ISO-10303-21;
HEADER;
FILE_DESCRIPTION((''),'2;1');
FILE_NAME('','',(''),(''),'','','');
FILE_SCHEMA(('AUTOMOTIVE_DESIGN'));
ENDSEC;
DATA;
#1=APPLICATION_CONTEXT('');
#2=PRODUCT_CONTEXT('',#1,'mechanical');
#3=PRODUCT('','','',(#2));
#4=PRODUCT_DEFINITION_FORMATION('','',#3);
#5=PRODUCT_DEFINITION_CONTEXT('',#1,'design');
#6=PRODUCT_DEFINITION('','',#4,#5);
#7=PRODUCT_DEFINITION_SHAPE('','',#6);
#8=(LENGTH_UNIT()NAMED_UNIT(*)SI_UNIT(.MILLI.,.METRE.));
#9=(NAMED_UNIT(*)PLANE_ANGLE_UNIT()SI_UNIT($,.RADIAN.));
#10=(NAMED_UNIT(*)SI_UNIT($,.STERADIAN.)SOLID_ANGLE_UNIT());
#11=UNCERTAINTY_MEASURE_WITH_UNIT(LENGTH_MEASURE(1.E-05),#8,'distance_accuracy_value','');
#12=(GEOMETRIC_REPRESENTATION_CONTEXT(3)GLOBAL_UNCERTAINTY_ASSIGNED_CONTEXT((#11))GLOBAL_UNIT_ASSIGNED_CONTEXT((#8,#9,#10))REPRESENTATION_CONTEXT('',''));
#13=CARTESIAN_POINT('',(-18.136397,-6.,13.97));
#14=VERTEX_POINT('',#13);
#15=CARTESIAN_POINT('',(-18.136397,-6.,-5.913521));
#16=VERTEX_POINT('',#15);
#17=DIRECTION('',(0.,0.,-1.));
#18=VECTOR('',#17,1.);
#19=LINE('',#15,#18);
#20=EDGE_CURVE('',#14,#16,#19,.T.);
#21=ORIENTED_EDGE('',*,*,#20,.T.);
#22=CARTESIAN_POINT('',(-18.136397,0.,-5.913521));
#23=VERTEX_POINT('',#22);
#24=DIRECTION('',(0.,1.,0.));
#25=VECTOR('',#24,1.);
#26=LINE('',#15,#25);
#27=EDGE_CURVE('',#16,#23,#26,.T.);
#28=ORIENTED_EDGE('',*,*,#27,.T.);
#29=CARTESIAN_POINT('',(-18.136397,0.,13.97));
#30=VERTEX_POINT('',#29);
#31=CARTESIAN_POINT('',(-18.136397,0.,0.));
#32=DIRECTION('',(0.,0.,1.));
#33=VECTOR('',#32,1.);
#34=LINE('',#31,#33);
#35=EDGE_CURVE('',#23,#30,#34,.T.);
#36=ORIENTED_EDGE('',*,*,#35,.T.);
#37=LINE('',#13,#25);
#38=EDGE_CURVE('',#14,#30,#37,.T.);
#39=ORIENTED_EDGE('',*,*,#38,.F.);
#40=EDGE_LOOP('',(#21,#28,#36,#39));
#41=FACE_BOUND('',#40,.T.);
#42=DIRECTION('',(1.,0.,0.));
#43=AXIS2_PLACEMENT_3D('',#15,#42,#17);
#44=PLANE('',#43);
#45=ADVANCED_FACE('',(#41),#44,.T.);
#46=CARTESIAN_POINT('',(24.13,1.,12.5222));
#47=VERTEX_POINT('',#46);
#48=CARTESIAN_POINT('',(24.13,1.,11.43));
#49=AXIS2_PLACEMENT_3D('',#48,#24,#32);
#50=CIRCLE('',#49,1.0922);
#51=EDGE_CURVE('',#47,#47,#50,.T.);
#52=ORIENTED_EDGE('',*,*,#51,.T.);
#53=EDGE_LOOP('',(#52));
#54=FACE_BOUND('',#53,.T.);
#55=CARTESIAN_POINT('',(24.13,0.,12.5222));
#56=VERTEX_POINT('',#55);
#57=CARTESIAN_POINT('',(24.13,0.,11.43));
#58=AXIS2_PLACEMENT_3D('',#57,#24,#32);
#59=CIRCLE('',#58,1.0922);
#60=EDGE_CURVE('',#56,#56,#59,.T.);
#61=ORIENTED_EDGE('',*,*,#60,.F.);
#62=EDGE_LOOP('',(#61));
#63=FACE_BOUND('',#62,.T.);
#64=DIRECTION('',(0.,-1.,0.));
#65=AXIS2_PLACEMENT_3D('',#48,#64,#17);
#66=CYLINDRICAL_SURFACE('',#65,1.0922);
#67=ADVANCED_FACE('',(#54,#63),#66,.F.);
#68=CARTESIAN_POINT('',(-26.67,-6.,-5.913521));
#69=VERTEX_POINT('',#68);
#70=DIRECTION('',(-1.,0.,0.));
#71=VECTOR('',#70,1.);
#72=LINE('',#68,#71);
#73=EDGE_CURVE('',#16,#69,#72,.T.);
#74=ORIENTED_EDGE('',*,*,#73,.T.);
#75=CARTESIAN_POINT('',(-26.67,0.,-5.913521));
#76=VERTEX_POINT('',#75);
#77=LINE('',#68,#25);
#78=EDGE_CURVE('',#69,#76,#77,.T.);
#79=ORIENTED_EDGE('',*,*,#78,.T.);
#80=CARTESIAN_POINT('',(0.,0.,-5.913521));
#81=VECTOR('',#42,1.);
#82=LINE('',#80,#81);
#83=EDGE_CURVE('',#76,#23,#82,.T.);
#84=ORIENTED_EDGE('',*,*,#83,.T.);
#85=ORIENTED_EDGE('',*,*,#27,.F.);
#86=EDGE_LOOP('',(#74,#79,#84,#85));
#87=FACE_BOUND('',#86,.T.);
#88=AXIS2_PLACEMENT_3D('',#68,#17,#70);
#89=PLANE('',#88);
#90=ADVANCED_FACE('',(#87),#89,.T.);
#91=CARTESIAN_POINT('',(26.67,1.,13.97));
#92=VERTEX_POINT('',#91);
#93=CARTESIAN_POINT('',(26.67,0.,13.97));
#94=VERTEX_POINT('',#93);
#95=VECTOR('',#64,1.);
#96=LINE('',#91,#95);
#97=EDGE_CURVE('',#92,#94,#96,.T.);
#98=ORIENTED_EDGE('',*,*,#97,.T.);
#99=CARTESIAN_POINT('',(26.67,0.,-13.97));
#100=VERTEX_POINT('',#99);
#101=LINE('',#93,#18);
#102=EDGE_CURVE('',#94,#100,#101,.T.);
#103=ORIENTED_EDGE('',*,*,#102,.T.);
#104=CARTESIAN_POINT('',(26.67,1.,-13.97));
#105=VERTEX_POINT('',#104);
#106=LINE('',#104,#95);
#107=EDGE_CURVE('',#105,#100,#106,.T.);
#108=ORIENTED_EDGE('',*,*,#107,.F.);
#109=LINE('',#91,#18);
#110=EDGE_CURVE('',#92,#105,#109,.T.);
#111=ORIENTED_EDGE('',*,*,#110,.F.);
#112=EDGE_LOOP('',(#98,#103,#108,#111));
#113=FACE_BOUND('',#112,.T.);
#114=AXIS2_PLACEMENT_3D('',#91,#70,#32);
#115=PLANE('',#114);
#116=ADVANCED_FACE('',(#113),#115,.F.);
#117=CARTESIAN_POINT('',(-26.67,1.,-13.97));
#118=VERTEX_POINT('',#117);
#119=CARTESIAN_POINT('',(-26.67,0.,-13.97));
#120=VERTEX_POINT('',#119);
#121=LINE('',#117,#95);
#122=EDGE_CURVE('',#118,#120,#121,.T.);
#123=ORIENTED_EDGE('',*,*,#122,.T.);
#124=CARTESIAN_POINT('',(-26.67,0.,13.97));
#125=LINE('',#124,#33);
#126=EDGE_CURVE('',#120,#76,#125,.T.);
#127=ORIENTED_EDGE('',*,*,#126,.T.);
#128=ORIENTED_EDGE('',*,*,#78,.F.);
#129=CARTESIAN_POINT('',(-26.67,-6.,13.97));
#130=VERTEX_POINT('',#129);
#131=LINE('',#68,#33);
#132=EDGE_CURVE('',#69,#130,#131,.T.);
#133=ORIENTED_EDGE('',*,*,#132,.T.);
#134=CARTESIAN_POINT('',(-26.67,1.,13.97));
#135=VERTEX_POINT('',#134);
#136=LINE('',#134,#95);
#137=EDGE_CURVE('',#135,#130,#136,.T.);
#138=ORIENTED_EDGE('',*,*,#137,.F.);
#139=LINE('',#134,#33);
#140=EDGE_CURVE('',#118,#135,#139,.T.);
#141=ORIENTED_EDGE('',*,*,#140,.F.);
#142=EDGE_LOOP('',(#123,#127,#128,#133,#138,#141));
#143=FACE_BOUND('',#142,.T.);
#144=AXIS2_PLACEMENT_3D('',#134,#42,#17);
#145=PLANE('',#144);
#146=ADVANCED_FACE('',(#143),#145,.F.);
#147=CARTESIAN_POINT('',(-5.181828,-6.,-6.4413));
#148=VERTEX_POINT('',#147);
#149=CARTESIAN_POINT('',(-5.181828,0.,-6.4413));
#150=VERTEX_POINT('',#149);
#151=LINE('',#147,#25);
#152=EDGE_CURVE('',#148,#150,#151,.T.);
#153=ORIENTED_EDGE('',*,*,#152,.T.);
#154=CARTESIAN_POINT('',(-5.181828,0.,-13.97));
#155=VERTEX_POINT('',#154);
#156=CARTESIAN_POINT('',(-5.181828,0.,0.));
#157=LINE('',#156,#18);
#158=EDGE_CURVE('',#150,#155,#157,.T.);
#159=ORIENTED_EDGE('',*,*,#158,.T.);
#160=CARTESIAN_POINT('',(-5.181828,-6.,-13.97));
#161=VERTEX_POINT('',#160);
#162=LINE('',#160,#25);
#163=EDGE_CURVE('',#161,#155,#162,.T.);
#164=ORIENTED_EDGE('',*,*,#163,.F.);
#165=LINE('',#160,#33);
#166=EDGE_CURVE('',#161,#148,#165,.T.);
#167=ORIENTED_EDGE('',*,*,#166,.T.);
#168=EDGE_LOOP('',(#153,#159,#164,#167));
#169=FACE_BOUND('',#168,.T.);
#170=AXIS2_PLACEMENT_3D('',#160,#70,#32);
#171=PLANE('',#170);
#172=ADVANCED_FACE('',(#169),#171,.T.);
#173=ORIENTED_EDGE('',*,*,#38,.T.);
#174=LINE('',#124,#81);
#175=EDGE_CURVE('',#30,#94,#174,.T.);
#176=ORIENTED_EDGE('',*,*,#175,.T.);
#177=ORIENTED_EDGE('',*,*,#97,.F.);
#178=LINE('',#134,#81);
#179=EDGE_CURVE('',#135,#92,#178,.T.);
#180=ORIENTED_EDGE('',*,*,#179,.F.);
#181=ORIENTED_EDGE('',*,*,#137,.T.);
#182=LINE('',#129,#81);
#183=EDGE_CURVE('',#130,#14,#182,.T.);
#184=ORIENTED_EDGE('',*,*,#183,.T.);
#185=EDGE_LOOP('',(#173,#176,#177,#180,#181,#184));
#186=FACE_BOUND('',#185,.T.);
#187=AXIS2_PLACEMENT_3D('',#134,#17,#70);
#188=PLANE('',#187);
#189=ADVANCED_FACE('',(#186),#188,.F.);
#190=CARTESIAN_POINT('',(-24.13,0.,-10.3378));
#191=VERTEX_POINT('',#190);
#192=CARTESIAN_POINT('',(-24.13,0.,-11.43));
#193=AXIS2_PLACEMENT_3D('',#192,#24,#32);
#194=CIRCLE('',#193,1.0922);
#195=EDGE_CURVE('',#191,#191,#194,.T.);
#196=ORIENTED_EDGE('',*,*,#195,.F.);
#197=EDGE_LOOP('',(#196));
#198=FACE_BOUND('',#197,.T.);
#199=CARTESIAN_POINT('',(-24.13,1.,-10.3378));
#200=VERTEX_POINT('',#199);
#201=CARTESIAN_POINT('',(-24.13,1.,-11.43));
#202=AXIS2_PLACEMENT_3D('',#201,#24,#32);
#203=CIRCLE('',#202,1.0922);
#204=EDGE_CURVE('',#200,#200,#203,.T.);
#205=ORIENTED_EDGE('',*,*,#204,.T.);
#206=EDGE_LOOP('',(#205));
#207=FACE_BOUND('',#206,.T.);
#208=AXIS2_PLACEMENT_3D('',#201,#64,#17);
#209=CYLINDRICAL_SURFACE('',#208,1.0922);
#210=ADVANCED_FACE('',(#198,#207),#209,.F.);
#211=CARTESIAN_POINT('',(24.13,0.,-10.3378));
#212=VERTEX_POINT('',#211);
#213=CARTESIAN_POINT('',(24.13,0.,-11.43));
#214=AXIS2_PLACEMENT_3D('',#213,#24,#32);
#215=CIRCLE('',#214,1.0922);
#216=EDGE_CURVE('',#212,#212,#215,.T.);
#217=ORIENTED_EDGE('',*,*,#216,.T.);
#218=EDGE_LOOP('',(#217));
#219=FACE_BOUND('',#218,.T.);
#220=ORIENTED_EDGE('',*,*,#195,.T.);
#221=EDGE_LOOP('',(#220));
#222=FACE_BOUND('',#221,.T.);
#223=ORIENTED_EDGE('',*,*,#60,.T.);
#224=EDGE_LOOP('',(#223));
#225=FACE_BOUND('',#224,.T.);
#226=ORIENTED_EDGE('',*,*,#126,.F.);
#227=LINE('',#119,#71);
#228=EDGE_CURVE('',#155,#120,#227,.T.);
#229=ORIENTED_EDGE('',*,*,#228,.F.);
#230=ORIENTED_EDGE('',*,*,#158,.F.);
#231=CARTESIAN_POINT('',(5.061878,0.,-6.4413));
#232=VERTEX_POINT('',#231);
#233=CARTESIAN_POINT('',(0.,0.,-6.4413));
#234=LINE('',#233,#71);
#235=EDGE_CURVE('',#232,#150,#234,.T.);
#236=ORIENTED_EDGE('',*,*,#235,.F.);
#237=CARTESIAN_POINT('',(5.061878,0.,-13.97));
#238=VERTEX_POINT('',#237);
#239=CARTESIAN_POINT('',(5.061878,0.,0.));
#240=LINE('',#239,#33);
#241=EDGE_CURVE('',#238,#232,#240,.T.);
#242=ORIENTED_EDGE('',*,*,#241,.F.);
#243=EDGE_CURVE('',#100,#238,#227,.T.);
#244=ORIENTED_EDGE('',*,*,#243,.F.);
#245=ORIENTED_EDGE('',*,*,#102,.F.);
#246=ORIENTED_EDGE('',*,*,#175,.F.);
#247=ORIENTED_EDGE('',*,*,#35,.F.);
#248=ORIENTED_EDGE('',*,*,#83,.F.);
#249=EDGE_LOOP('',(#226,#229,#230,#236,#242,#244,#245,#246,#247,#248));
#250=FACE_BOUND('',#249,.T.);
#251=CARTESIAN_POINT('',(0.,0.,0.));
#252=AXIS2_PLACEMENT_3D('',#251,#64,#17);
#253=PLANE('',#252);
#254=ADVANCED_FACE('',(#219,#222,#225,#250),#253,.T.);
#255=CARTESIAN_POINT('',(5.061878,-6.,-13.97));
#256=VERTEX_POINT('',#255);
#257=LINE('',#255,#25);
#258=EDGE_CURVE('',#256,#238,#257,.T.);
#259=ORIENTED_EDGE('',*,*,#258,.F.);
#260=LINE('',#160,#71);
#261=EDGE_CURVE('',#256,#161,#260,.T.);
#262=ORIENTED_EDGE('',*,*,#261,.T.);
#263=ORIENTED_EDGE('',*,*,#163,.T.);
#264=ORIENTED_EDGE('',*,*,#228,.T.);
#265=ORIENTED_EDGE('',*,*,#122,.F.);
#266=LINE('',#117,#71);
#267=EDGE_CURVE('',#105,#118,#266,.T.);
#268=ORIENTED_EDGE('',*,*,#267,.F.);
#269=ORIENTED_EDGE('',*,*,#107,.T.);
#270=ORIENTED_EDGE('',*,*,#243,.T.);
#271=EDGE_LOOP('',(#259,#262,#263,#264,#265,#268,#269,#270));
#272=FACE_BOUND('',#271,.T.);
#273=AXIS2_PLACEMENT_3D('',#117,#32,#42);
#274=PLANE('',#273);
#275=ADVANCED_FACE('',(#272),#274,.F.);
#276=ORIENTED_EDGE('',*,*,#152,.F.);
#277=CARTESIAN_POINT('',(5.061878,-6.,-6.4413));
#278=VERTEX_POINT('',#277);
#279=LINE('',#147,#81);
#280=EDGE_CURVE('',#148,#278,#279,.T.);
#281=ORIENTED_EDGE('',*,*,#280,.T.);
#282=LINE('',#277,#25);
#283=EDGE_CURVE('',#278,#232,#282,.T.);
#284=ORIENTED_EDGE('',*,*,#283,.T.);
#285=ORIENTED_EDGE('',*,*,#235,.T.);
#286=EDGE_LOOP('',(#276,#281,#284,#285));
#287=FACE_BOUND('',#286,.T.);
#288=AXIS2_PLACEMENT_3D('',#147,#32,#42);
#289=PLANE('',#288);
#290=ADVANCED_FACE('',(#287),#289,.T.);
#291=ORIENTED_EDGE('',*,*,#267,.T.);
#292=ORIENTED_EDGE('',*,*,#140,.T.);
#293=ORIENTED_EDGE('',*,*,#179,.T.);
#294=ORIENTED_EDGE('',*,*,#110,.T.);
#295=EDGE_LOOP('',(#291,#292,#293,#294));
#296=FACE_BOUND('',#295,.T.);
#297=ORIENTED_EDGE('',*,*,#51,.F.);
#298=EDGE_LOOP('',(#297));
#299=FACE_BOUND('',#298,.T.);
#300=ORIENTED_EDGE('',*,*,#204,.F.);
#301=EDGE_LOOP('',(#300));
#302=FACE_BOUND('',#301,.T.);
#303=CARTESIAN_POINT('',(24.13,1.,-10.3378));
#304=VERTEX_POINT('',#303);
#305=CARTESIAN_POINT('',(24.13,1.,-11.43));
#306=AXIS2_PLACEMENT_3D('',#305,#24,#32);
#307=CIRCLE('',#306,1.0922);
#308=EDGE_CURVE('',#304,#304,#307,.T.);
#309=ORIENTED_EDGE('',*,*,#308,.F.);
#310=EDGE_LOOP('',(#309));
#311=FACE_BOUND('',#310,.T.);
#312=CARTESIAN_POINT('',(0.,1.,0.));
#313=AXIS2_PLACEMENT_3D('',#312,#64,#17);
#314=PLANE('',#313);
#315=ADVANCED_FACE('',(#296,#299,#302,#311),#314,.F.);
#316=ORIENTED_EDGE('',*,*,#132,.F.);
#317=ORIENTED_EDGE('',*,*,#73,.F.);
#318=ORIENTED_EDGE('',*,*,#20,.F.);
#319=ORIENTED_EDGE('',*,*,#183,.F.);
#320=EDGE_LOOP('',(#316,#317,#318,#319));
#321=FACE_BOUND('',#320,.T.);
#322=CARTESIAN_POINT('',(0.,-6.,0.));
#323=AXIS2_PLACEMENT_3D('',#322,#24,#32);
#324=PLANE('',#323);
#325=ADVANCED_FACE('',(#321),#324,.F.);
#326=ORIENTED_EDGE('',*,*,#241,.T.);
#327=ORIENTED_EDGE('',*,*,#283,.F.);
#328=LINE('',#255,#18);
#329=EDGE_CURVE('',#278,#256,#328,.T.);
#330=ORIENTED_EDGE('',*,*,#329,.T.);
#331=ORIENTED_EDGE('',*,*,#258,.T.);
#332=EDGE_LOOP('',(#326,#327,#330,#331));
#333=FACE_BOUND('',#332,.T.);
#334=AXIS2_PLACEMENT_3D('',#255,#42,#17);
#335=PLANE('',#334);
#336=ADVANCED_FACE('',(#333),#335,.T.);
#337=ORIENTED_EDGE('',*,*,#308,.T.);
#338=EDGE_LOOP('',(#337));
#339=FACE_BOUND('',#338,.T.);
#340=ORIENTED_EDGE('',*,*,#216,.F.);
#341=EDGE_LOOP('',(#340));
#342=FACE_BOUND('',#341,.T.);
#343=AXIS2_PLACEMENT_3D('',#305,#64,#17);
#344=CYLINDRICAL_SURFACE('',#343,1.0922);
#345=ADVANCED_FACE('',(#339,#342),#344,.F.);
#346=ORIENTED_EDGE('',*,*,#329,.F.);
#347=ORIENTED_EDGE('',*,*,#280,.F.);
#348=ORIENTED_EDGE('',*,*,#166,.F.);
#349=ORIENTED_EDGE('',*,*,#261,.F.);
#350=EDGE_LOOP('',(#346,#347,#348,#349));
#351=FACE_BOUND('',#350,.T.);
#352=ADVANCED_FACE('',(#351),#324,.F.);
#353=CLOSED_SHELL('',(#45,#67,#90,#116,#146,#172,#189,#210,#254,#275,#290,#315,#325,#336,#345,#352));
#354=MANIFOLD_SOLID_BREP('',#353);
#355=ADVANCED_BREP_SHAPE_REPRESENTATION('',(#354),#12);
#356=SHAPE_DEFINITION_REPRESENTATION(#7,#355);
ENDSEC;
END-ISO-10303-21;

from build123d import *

# Parameters (mm, degrees)
SKETCH1_W           = 53.34
SKETCH1_H           = 27.94
SKETCH1_R           = 1.0922
BOSS_EXTRUDE1_DEPTH = 1
SKETCH2_W           = 8.533603159
SKETCH2_H           = 19.883520928
SKETCH2_W_2         = 10.243705623
SKETCH2_H_2         = 7.528700328
BOSS_EXTRUDE2_DEPTH = 7


with BuildPart() as part:
    # Sketch1 → Boss-Extrude1 (new body)
    with BuildSketch(Plane(origin=(0, 0, 0), x_dir=(1, 0, 0), z_dir=(0, 1, 0))):
        Rectangle(SKETCH1_W, SKETCH1_H)
        with Locations(Location((-24.13, 11.43, 0), (0, 0, 270))):
            Circle(SKETCH1_R, mode=Mode.SUBTRACT)
        with Locations(Location((24.13, 11.43, 0), (0, 0, 270))):
            Circle(SKETCH1_R, mode=Mode.SUBTRACT)
        with Locations(Location((24.13, -11.43, 0), (0, 0, 270))):
            Circle(SKETCH1_R, mode=Mode.SUBTRACT)
    extrude(amount=BOSS_EXTRUDE1_DEPTH)

    # Sketch2 → Boss-Extrude2 (add)
    with BuildSketch(Plane(origin=(0, 1, 0), x_dir=(1, 0, 0), z_dir=(0, 1, 0))):
        with Locations((-22.403198421, -4.028239536)):
            Rectangle(SKETCH2_W, SKETCH2_H)
        with Locations((-0.059974857, 10.205649836)):
            Rectangle(SKETCH2_W_2, SKETCH2_H_2)
    extrude(amount=-BOSS_EXTRUDE2_DEPTH)


solid = part.part
